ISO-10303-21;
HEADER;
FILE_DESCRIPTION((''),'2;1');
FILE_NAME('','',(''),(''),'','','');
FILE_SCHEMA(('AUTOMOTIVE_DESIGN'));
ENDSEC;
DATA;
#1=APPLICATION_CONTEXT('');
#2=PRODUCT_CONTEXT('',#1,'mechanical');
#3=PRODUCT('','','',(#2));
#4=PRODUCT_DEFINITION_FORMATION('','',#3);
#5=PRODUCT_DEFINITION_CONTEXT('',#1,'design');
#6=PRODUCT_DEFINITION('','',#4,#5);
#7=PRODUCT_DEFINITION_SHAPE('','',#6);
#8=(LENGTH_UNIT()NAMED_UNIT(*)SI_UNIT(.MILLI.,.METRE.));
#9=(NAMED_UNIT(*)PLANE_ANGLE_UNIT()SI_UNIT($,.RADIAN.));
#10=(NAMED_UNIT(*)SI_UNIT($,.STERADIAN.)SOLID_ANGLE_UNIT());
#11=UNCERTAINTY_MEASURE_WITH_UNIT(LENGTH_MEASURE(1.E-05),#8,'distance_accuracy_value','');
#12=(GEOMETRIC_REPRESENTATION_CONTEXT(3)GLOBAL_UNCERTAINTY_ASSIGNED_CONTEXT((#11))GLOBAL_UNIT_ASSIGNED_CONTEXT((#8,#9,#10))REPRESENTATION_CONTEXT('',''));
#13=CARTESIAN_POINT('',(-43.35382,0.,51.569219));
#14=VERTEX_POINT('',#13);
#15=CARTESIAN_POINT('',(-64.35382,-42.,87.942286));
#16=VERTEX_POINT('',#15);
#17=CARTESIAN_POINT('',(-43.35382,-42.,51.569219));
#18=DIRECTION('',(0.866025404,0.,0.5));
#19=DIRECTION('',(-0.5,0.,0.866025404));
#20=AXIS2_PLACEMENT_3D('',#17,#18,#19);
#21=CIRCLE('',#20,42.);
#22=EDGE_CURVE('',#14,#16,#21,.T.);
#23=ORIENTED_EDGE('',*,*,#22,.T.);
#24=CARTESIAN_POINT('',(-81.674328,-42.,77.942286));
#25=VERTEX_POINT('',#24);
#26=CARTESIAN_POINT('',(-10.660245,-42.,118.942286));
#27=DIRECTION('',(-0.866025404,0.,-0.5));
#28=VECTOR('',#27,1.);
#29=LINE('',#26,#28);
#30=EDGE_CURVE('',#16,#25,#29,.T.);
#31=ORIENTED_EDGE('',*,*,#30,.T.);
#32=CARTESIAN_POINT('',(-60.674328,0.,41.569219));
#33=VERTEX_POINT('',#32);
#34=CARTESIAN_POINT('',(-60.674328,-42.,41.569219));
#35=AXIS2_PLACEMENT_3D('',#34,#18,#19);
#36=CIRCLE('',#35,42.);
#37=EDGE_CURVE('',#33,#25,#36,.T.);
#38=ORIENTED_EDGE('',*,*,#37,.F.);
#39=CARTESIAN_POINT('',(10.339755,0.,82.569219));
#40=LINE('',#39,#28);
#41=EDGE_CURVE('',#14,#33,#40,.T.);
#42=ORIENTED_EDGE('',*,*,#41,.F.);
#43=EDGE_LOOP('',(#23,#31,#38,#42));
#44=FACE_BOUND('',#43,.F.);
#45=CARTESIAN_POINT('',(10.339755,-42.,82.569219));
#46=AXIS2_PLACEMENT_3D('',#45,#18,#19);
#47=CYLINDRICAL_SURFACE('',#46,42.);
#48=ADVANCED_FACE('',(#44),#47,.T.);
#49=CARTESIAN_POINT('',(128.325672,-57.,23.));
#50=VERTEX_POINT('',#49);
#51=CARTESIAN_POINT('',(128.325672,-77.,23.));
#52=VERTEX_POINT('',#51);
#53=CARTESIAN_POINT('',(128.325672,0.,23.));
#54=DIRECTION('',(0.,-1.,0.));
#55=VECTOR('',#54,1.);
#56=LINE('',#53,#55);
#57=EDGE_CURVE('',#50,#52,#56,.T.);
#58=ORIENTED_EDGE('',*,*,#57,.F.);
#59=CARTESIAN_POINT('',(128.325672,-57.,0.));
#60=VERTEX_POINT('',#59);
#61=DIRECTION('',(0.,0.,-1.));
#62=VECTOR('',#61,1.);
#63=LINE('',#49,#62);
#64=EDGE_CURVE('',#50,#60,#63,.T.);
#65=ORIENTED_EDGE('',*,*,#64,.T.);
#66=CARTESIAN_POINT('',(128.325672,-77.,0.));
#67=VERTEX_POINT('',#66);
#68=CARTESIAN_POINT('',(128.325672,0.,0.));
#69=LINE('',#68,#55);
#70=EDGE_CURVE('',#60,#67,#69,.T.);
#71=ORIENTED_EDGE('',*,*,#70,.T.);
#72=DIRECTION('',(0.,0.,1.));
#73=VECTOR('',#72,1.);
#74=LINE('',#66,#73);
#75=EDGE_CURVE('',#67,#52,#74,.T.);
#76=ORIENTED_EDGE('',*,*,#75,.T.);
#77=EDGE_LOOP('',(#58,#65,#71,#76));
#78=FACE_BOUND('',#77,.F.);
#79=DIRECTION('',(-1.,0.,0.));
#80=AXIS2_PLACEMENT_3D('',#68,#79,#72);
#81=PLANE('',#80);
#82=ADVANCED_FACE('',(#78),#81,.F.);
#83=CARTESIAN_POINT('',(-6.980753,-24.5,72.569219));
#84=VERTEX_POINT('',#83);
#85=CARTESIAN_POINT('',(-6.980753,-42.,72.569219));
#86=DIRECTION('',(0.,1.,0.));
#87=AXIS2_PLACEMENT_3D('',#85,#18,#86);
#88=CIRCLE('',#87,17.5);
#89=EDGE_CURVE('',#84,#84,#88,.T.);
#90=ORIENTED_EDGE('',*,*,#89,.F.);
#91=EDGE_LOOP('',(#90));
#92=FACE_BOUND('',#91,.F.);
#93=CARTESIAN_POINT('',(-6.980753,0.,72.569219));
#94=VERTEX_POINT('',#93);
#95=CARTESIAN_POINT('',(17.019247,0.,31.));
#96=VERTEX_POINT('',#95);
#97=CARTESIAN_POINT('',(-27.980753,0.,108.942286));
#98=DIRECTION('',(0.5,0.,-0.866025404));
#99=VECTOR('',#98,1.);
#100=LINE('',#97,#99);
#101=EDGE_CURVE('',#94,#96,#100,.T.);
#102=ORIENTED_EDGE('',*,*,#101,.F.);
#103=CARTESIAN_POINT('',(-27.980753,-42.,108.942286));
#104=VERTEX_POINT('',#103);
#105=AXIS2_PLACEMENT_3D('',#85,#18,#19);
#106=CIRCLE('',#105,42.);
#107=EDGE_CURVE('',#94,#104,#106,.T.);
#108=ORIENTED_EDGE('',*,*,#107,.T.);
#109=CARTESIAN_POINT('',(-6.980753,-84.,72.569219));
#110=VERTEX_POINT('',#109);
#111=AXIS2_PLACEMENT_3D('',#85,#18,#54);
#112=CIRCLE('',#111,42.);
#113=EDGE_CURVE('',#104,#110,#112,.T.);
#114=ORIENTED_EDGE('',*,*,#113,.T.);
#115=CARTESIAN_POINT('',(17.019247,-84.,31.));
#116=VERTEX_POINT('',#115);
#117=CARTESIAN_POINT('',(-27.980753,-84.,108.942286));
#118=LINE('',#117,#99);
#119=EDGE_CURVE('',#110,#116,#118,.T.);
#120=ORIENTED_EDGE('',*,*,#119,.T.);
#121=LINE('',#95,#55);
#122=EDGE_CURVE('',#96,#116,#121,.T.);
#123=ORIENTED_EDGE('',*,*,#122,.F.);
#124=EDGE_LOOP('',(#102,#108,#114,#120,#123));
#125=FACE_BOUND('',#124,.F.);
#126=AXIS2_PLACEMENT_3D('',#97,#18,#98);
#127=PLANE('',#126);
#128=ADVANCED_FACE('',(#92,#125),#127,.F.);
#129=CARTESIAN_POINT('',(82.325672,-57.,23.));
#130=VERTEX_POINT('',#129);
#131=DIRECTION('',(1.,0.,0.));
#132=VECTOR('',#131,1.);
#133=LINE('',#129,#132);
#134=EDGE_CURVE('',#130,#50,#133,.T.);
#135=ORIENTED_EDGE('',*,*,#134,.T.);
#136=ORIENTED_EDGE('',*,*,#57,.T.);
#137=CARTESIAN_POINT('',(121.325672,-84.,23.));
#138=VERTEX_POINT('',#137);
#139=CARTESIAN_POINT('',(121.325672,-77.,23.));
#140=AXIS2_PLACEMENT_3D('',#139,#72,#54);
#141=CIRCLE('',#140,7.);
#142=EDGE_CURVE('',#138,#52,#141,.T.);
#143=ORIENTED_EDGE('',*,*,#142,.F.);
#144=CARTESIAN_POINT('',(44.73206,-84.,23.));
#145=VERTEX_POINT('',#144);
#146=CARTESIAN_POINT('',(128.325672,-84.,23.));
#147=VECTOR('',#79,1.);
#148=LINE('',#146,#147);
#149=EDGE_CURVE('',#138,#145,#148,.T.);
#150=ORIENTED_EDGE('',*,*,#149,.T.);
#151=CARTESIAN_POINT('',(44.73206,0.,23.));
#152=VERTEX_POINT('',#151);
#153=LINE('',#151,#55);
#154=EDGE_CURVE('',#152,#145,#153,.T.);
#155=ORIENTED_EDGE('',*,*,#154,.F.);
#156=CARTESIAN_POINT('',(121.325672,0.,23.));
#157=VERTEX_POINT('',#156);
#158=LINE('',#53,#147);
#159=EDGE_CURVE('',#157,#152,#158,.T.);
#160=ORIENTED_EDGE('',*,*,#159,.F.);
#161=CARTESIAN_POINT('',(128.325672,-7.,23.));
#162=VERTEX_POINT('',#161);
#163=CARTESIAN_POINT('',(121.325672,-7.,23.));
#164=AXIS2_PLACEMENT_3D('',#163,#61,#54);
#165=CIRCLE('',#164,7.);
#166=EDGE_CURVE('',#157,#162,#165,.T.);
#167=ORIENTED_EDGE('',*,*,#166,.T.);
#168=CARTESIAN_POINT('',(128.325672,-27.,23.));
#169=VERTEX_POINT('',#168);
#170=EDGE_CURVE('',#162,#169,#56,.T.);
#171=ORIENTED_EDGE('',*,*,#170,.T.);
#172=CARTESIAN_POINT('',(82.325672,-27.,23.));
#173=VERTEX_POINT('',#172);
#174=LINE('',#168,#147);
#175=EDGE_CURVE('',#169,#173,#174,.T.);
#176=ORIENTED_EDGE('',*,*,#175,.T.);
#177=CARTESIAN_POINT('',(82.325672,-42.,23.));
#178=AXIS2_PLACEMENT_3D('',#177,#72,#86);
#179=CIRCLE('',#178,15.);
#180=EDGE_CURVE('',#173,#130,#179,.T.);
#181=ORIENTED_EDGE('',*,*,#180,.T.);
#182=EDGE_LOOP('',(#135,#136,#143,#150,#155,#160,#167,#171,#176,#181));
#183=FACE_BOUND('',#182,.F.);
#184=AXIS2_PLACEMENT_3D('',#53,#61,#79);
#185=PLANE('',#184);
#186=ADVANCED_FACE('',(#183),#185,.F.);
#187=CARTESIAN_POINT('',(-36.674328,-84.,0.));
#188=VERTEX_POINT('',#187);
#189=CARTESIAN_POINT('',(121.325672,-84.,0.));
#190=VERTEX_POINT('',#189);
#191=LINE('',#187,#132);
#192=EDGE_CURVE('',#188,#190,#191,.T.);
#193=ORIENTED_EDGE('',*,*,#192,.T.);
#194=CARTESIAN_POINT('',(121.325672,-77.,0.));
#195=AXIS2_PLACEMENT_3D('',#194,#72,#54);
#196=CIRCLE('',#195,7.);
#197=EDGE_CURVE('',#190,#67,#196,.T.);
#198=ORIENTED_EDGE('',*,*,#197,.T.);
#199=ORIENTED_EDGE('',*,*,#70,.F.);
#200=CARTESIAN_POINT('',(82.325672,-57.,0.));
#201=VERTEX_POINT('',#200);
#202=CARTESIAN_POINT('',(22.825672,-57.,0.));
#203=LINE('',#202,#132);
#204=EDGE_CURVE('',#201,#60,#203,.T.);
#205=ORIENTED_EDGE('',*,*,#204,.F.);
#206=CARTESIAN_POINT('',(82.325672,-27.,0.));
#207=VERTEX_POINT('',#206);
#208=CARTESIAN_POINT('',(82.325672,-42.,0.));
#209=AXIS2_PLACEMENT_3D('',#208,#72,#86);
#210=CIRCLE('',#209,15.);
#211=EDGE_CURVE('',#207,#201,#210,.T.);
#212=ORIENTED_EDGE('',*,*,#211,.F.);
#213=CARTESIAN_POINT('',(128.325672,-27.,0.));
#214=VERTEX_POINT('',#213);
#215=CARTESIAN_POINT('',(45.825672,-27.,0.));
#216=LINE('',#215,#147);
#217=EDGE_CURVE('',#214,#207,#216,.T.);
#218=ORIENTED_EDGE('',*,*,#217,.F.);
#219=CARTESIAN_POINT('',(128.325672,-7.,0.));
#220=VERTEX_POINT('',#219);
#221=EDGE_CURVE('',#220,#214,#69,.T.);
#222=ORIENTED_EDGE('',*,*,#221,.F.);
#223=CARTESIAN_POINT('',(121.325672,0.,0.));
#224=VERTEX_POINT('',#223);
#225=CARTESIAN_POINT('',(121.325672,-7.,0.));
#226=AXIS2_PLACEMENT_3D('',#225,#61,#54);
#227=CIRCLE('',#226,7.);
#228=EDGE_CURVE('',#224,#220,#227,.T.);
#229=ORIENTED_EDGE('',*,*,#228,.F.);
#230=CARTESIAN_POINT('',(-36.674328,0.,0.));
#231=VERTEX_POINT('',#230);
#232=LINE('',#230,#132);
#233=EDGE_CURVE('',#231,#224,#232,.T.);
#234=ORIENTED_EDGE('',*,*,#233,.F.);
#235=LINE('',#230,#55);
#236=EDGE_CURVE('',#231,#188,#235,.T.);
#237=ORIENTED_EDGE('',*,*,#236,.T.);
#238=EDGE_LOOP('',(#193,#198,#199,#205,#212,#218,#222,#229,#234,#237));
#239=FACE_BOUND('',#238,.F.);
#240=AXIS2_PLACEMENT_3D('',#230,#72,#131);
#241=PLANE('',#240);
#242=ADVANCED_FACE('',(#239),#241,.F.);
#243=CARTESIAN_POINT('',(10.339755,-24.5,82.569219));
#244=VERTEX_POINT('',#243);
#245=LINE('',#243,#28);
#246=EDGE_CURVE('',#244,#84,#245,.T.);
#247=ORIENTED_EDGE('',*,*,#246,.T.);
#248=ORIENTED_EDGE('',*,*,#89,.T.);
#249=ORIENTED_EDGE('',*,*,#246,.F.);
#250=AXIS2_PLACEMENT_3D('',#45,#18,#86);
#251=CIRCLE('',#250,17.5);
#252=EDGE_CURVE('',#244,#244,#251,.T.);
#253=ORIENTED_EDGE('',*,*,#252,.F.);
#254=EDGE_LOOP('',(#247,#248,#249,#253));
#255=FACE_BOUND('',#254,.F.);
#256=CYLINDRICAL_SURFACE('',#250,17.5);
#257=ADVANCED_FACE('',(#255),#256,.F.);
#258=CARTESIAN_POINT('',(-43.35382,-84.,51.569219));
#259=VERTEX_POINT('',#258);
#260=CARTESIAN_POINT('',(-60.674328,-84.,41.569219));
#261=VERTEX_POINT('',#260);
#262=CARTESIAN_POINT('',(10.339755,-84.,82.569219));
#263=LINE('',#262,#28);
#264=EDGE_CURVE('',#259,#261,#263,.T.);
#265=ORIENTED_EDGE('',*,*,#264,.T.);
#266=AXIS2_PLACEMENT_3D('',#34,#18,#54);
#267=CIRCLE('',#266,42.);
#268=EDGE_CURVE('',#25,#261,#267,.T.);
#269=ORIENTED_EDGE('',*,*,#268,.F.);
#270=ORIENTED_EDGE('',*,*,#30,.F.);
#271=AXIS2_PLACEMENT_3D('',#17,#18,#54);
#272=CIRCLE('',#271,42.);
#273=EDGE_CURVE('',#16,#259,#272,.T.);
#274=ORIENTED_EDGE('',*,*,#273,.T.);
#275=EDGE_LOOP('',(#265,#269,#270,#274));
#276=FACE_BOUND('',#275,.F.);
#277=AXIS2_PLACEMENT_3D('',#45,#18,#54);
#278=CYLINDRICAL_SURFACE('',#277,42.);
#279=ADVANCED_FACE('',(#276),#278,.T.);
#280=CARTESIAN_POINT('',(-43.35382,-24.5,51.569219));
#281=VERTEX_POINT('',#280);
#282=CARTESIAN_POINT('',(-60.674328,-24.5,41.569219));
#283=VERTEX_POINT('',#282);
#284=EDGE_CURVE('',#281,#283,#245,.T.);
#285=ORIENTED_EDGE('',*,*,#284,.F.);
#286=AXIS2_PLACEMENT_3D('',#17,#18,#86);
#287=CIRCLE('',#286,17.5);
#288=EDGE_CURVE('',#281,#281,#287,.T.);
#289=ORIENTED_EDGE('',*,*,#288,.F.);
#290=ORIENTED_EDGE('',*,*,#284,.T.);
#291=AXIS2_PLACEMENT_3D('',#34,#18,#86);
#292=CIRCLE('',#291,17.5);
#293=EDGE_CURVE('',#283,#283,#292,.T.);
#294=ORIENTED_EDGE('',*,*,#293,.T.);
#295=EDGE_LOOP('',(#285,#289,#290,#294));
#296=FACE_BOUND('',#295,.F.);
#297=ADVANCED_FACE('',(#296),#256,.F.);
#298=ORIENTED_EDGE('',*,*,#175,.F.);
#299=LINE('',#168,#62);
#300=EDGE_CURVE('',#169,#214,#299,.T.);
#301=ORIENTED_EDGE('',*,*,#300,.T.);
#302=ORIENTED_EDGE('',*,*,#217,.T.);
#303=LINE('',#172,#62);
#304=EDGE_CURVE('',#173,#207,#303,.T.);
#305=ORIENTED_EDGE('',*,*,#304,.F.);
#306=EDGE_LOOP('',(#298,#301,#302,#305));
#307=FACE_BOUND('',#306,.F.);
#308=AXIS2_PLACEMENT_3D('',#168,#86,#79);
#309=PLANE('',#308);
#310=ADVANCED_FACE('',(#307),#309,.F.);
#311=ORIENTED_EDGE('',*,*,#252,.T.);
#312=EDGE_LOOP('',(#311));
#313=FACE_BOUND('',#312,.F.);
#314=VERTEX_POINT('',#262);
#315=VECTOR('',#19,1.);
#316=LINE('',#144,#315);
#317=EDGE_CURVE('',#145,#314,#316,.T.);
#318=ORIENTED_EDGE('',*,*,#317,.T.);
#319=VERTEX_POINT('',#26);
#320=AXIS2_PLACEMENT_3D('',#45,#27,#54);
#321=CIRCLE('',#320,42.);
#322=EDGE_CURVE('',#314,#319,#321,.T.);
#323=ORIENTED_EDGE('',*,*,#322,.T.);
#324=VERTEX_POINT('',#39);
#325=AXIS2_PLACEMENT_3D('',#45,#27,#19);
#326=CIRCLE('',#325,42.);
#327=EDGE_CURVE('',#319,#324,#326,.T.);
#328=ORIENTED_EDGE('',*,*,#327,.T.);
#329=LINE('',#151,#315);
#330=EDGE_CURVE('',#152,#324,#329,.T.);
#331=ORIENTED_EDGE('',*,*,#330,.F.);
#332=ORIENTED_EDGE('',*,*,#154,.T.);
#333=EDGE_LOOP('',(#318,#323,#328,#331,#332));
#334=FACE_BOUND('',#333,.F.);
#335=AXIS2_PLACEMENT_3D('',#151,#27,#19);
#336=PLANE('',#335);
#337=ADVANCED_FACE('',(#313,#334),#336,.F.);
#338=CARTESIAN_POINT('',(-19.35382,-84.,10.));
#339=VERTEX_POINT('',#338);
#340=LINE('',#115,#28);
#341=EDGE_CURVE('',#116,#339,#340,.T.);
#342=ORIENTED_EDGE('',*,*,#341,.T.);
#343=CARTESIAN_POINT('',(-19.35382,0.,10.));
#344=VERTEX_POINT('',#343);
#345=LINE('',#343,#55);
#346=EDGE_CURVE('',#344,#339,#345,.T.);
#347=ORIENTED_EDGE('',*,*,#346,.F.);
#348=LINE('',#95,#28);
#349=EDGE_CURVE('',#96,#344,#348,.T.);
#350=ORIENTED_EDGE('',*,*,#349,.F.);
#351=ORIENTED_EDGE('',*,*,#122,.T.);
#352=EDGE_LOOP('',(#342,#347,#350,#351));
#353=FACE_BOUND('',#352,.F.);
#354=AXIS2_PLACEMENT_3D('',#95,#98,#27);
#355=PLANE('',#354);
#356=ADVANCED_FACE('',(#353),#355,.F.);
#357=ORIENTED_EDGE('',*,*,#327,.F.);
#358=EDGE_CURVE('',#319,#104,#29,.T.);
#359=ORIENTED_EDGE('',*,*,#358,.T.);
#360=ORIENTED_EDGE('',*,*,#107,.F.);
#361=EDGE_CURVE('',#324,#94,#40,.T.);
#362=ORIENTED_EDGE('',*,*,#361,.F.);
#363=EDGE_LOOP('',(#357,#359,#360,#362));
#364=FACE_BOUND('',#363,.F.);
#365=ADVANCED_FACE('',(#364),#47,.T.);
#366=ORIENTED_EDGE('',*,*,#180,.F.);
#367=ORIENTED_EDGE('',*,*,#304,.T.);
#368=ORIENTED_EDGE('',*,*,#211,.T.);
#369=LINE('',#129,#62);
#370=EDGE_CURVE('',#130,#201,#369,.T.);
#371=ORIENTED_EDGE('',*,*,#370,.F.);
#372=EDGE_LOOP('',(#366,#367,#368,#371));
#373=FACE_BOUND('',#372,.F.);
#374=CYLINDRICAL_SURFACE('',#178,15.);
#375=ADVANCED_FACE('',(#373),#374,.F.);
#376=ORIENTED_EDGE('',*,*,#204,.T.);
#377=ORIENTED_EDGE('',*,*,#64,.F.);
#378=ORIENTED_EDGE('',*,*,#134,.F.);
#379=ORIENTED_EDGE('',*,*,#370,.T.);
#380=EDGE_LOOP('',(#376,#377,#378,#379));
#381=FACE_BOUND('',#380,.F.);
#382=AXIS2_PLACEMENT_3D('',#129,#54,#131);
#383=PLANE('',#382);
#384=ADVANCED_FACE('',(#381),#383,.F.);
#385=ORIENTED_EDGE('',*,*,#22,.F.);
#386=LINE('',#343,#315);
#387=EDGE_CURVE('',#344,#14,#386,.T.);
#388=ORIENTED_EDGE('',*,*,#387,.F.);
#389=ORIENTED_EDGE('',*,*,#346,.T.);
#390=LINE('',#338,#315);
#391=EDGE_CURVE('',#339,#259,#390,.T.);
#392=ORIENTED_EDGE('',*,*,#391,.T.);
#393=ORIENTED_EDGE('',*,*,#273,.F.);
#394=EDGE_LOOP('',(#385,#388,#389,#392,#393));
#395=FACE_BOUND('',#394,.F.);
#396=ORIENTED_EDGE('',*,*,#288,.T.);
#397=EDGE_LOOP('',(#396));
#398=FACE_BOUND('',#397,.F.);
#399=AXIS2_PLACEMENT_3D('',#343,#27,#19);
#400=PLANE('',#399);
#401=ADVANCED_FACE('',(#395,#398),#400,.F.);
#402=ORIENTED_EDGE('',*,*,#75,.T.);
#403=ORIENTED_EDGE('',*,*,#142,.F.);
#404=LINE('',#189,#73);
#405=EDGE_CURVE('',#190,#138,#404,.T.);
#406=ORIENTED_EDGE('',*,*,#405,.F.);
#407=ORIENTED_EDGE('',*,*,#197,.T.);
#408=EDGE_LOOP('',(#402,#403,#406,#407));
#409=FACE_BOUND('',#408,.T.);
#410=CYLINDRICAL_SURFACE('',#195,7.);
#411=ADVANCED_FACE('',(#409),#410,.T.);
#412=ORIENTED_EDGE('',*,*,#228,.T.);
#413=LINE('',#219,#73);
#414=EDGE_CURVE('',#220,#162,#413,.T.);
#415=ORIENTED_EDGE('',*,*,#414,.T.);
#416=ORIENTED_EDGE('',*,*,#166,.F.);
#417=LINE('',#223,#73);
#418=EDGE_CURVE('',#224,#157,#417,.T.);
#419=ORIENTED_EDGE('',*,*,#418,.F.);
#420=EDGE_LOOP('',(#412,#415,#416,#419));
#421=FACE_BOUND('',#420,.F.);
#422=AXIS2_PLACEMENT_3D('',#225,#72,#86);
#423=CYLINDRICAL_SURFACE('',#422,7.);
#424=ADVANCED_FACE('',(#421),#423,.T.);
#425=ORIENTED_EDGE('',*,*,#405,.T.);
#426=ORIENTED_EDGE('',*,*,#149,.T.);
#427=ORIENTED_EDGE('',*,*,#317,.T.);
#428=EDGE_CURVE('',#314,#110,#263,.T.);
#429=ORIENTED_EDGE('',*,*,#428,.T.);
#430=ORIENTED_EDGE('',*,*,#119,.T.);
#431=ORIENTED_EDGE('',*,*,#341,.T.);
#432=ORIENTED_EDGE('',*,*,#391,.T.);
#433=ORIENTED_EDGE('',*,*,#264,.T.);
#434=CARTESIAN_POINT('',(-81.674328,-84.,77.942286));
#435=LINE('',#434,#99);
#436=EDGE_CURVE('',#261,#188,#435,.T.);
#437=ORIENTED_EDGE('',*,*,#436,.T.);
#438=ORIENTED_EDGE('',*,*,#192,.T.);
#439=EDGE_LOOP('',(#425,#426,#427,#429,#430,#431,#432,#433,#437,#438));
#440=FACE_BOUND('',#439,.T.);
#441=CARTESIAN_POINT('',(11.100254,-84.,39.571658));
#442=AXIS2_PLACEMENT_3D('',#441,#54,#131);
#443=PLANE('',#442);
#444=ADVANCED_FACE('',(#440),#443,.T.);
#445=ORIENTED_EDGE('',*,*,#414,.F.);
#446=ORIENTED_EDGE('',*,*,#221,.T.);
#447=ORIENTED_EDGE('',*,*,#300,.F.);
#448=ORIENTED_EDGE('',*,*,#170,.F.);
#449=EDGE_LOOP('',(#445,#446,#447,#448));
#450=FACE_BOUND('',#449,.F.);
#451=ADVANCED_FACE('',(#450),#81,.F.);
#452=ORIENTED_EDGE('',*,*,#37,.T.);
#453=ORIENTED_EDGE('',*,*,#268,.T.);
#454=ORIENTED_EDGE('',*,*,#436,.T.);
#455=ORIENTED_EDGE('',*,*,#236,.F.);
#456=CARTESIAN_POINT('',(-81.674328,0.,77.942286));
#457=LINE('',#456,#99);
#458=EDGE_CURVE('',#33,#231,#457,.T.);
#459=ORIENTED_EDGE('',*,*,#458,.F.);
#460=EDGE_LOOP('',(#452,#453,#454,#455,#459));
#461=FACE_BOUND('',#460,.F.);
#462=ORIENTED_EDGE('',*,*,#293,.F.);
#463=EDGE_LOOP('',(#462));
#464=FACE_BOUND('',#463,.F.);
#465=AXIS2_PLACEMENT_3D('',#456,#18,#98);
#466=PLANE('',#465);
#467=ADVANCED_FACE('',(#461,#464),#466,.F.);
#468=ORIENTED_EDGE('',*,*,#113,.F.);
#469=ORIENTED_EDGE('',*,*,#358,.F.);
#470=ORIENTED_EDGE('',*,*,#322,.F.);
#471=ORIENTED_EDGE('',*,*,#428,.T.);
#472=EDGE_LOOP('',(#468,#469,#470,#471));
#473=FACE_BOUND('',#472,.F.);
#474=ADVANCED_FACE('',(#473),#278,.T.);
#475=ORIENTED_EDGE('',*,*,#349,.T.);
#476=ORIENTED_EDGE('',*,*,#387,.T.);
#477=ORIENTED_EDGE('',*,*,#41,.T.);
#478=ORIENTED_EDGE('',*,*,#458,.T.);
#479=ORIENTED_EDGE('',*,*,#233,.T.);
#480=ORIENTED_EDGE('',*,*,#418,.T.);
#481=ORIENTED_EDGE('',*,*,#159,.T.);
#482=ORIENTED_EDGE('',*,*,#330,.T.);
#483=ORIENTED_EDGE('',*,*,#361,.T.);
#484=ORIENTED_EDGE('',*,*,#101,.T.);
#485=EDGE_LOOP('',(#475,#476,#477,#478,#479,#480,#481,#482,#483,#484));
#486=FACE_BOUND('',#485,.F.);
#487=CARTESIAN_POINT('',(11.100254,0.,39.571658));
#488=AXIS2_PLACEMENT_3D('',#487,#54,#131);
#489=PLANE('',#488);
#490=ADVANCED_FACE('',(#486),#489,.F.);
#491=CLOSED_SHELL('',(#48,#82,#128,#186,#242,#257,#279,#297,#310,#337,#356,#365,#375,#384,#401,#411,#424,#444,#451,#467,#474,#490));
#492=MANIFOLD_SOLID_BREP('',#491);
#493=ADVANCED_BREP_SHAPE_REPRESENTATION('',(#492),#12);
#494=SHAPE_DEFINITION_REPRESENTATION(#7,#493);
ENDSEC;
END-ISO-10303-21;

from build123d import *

# Parameters (mm, degrees)
F1_DEPTH = 84
F3_DEPTH = 25
F4_R     = 7
F5_R     = 17.5
F6_DEPTH = 100


with BuildPart() as f1:
    # F0 (on Front) → F1 (new body)
    with BuildSketch(Plane.XZ):
        Polygon((-81.6743281484, 77.9422863406), (-36.6743281484, 0), (128.3256718516, 0), (128.3256718516, 23), (82.3256718516, 23), (44.7320598074, 23), (34.339754962, 41), (-10.660245038, 118.9422863406), (-27.9807531137, 108.9422863406), (17.0192468863, 31), (-19.3538200727, 10), (-64.3538200727, 87.9422863406), align=None)
    extrude(amount=F1_DEPTH)

    # F2 (on face) → F3 (cut)
    with BuildSketch(Plane.XY.offset(23)):
        with BuildLine():
            Line((128.3256718516, -27), (82.3256718516, -27))
            ThreePointArc((82.3256718516, -27), (67.3256718516, -42), (82.3256718516, -57))
            Line((82.3256718516, -57), (128.3256718516, -57))
            Line((128.3256718516, -57), (128.3256718516, -27))
        make_face()
    extrude(amount=-F3_DEPTH, mode=Mode.SUBTRACT)

    # F4
    f4_edges = [f1.edges().sort_by_distance(p)[0] for p in [
        (128.325672, 0, 11.5),
        (128.325672, -84, 11.5),
    ]]
    fillet(f4_edges, radius=F4_R)

    # F5 (on face) → F6 (cut)
    with BuildSketch(Plane(origin=(43.5083369991, 0, 25.1195500784), x_dir=(0, 1, 0), z_dir=(0.8660254038, 0, 0.5))):
        with Locations((-42, 66.3371640742)):
            Circle(F5_R)
        with BuildLine():
            ThreePointArc((-84, 66.3371640742), (-71.6984848098, 96.035648884), (-42, 108.3371640742))
            Line((-42, 108.3371640742), (-84, 108.3371640742))
            Line((-84, 108.3371640742), (-84, 66.3371640742))
        make_face()
        with BuildLine():
            ThreePointArc((-42, 108.3371640742), (-12.3015151902, 96.035648884), (0, 66.3371640742))
            Line((0, 66.3371640742), (0, 108.3371640742))
            Line((0, 108.3371640742), (-42, 108.3371640742))
        make_face()
    extrude(amount=-F6_DEPTH, mode=Mode.SUBTRACT)


solid = f1.part
